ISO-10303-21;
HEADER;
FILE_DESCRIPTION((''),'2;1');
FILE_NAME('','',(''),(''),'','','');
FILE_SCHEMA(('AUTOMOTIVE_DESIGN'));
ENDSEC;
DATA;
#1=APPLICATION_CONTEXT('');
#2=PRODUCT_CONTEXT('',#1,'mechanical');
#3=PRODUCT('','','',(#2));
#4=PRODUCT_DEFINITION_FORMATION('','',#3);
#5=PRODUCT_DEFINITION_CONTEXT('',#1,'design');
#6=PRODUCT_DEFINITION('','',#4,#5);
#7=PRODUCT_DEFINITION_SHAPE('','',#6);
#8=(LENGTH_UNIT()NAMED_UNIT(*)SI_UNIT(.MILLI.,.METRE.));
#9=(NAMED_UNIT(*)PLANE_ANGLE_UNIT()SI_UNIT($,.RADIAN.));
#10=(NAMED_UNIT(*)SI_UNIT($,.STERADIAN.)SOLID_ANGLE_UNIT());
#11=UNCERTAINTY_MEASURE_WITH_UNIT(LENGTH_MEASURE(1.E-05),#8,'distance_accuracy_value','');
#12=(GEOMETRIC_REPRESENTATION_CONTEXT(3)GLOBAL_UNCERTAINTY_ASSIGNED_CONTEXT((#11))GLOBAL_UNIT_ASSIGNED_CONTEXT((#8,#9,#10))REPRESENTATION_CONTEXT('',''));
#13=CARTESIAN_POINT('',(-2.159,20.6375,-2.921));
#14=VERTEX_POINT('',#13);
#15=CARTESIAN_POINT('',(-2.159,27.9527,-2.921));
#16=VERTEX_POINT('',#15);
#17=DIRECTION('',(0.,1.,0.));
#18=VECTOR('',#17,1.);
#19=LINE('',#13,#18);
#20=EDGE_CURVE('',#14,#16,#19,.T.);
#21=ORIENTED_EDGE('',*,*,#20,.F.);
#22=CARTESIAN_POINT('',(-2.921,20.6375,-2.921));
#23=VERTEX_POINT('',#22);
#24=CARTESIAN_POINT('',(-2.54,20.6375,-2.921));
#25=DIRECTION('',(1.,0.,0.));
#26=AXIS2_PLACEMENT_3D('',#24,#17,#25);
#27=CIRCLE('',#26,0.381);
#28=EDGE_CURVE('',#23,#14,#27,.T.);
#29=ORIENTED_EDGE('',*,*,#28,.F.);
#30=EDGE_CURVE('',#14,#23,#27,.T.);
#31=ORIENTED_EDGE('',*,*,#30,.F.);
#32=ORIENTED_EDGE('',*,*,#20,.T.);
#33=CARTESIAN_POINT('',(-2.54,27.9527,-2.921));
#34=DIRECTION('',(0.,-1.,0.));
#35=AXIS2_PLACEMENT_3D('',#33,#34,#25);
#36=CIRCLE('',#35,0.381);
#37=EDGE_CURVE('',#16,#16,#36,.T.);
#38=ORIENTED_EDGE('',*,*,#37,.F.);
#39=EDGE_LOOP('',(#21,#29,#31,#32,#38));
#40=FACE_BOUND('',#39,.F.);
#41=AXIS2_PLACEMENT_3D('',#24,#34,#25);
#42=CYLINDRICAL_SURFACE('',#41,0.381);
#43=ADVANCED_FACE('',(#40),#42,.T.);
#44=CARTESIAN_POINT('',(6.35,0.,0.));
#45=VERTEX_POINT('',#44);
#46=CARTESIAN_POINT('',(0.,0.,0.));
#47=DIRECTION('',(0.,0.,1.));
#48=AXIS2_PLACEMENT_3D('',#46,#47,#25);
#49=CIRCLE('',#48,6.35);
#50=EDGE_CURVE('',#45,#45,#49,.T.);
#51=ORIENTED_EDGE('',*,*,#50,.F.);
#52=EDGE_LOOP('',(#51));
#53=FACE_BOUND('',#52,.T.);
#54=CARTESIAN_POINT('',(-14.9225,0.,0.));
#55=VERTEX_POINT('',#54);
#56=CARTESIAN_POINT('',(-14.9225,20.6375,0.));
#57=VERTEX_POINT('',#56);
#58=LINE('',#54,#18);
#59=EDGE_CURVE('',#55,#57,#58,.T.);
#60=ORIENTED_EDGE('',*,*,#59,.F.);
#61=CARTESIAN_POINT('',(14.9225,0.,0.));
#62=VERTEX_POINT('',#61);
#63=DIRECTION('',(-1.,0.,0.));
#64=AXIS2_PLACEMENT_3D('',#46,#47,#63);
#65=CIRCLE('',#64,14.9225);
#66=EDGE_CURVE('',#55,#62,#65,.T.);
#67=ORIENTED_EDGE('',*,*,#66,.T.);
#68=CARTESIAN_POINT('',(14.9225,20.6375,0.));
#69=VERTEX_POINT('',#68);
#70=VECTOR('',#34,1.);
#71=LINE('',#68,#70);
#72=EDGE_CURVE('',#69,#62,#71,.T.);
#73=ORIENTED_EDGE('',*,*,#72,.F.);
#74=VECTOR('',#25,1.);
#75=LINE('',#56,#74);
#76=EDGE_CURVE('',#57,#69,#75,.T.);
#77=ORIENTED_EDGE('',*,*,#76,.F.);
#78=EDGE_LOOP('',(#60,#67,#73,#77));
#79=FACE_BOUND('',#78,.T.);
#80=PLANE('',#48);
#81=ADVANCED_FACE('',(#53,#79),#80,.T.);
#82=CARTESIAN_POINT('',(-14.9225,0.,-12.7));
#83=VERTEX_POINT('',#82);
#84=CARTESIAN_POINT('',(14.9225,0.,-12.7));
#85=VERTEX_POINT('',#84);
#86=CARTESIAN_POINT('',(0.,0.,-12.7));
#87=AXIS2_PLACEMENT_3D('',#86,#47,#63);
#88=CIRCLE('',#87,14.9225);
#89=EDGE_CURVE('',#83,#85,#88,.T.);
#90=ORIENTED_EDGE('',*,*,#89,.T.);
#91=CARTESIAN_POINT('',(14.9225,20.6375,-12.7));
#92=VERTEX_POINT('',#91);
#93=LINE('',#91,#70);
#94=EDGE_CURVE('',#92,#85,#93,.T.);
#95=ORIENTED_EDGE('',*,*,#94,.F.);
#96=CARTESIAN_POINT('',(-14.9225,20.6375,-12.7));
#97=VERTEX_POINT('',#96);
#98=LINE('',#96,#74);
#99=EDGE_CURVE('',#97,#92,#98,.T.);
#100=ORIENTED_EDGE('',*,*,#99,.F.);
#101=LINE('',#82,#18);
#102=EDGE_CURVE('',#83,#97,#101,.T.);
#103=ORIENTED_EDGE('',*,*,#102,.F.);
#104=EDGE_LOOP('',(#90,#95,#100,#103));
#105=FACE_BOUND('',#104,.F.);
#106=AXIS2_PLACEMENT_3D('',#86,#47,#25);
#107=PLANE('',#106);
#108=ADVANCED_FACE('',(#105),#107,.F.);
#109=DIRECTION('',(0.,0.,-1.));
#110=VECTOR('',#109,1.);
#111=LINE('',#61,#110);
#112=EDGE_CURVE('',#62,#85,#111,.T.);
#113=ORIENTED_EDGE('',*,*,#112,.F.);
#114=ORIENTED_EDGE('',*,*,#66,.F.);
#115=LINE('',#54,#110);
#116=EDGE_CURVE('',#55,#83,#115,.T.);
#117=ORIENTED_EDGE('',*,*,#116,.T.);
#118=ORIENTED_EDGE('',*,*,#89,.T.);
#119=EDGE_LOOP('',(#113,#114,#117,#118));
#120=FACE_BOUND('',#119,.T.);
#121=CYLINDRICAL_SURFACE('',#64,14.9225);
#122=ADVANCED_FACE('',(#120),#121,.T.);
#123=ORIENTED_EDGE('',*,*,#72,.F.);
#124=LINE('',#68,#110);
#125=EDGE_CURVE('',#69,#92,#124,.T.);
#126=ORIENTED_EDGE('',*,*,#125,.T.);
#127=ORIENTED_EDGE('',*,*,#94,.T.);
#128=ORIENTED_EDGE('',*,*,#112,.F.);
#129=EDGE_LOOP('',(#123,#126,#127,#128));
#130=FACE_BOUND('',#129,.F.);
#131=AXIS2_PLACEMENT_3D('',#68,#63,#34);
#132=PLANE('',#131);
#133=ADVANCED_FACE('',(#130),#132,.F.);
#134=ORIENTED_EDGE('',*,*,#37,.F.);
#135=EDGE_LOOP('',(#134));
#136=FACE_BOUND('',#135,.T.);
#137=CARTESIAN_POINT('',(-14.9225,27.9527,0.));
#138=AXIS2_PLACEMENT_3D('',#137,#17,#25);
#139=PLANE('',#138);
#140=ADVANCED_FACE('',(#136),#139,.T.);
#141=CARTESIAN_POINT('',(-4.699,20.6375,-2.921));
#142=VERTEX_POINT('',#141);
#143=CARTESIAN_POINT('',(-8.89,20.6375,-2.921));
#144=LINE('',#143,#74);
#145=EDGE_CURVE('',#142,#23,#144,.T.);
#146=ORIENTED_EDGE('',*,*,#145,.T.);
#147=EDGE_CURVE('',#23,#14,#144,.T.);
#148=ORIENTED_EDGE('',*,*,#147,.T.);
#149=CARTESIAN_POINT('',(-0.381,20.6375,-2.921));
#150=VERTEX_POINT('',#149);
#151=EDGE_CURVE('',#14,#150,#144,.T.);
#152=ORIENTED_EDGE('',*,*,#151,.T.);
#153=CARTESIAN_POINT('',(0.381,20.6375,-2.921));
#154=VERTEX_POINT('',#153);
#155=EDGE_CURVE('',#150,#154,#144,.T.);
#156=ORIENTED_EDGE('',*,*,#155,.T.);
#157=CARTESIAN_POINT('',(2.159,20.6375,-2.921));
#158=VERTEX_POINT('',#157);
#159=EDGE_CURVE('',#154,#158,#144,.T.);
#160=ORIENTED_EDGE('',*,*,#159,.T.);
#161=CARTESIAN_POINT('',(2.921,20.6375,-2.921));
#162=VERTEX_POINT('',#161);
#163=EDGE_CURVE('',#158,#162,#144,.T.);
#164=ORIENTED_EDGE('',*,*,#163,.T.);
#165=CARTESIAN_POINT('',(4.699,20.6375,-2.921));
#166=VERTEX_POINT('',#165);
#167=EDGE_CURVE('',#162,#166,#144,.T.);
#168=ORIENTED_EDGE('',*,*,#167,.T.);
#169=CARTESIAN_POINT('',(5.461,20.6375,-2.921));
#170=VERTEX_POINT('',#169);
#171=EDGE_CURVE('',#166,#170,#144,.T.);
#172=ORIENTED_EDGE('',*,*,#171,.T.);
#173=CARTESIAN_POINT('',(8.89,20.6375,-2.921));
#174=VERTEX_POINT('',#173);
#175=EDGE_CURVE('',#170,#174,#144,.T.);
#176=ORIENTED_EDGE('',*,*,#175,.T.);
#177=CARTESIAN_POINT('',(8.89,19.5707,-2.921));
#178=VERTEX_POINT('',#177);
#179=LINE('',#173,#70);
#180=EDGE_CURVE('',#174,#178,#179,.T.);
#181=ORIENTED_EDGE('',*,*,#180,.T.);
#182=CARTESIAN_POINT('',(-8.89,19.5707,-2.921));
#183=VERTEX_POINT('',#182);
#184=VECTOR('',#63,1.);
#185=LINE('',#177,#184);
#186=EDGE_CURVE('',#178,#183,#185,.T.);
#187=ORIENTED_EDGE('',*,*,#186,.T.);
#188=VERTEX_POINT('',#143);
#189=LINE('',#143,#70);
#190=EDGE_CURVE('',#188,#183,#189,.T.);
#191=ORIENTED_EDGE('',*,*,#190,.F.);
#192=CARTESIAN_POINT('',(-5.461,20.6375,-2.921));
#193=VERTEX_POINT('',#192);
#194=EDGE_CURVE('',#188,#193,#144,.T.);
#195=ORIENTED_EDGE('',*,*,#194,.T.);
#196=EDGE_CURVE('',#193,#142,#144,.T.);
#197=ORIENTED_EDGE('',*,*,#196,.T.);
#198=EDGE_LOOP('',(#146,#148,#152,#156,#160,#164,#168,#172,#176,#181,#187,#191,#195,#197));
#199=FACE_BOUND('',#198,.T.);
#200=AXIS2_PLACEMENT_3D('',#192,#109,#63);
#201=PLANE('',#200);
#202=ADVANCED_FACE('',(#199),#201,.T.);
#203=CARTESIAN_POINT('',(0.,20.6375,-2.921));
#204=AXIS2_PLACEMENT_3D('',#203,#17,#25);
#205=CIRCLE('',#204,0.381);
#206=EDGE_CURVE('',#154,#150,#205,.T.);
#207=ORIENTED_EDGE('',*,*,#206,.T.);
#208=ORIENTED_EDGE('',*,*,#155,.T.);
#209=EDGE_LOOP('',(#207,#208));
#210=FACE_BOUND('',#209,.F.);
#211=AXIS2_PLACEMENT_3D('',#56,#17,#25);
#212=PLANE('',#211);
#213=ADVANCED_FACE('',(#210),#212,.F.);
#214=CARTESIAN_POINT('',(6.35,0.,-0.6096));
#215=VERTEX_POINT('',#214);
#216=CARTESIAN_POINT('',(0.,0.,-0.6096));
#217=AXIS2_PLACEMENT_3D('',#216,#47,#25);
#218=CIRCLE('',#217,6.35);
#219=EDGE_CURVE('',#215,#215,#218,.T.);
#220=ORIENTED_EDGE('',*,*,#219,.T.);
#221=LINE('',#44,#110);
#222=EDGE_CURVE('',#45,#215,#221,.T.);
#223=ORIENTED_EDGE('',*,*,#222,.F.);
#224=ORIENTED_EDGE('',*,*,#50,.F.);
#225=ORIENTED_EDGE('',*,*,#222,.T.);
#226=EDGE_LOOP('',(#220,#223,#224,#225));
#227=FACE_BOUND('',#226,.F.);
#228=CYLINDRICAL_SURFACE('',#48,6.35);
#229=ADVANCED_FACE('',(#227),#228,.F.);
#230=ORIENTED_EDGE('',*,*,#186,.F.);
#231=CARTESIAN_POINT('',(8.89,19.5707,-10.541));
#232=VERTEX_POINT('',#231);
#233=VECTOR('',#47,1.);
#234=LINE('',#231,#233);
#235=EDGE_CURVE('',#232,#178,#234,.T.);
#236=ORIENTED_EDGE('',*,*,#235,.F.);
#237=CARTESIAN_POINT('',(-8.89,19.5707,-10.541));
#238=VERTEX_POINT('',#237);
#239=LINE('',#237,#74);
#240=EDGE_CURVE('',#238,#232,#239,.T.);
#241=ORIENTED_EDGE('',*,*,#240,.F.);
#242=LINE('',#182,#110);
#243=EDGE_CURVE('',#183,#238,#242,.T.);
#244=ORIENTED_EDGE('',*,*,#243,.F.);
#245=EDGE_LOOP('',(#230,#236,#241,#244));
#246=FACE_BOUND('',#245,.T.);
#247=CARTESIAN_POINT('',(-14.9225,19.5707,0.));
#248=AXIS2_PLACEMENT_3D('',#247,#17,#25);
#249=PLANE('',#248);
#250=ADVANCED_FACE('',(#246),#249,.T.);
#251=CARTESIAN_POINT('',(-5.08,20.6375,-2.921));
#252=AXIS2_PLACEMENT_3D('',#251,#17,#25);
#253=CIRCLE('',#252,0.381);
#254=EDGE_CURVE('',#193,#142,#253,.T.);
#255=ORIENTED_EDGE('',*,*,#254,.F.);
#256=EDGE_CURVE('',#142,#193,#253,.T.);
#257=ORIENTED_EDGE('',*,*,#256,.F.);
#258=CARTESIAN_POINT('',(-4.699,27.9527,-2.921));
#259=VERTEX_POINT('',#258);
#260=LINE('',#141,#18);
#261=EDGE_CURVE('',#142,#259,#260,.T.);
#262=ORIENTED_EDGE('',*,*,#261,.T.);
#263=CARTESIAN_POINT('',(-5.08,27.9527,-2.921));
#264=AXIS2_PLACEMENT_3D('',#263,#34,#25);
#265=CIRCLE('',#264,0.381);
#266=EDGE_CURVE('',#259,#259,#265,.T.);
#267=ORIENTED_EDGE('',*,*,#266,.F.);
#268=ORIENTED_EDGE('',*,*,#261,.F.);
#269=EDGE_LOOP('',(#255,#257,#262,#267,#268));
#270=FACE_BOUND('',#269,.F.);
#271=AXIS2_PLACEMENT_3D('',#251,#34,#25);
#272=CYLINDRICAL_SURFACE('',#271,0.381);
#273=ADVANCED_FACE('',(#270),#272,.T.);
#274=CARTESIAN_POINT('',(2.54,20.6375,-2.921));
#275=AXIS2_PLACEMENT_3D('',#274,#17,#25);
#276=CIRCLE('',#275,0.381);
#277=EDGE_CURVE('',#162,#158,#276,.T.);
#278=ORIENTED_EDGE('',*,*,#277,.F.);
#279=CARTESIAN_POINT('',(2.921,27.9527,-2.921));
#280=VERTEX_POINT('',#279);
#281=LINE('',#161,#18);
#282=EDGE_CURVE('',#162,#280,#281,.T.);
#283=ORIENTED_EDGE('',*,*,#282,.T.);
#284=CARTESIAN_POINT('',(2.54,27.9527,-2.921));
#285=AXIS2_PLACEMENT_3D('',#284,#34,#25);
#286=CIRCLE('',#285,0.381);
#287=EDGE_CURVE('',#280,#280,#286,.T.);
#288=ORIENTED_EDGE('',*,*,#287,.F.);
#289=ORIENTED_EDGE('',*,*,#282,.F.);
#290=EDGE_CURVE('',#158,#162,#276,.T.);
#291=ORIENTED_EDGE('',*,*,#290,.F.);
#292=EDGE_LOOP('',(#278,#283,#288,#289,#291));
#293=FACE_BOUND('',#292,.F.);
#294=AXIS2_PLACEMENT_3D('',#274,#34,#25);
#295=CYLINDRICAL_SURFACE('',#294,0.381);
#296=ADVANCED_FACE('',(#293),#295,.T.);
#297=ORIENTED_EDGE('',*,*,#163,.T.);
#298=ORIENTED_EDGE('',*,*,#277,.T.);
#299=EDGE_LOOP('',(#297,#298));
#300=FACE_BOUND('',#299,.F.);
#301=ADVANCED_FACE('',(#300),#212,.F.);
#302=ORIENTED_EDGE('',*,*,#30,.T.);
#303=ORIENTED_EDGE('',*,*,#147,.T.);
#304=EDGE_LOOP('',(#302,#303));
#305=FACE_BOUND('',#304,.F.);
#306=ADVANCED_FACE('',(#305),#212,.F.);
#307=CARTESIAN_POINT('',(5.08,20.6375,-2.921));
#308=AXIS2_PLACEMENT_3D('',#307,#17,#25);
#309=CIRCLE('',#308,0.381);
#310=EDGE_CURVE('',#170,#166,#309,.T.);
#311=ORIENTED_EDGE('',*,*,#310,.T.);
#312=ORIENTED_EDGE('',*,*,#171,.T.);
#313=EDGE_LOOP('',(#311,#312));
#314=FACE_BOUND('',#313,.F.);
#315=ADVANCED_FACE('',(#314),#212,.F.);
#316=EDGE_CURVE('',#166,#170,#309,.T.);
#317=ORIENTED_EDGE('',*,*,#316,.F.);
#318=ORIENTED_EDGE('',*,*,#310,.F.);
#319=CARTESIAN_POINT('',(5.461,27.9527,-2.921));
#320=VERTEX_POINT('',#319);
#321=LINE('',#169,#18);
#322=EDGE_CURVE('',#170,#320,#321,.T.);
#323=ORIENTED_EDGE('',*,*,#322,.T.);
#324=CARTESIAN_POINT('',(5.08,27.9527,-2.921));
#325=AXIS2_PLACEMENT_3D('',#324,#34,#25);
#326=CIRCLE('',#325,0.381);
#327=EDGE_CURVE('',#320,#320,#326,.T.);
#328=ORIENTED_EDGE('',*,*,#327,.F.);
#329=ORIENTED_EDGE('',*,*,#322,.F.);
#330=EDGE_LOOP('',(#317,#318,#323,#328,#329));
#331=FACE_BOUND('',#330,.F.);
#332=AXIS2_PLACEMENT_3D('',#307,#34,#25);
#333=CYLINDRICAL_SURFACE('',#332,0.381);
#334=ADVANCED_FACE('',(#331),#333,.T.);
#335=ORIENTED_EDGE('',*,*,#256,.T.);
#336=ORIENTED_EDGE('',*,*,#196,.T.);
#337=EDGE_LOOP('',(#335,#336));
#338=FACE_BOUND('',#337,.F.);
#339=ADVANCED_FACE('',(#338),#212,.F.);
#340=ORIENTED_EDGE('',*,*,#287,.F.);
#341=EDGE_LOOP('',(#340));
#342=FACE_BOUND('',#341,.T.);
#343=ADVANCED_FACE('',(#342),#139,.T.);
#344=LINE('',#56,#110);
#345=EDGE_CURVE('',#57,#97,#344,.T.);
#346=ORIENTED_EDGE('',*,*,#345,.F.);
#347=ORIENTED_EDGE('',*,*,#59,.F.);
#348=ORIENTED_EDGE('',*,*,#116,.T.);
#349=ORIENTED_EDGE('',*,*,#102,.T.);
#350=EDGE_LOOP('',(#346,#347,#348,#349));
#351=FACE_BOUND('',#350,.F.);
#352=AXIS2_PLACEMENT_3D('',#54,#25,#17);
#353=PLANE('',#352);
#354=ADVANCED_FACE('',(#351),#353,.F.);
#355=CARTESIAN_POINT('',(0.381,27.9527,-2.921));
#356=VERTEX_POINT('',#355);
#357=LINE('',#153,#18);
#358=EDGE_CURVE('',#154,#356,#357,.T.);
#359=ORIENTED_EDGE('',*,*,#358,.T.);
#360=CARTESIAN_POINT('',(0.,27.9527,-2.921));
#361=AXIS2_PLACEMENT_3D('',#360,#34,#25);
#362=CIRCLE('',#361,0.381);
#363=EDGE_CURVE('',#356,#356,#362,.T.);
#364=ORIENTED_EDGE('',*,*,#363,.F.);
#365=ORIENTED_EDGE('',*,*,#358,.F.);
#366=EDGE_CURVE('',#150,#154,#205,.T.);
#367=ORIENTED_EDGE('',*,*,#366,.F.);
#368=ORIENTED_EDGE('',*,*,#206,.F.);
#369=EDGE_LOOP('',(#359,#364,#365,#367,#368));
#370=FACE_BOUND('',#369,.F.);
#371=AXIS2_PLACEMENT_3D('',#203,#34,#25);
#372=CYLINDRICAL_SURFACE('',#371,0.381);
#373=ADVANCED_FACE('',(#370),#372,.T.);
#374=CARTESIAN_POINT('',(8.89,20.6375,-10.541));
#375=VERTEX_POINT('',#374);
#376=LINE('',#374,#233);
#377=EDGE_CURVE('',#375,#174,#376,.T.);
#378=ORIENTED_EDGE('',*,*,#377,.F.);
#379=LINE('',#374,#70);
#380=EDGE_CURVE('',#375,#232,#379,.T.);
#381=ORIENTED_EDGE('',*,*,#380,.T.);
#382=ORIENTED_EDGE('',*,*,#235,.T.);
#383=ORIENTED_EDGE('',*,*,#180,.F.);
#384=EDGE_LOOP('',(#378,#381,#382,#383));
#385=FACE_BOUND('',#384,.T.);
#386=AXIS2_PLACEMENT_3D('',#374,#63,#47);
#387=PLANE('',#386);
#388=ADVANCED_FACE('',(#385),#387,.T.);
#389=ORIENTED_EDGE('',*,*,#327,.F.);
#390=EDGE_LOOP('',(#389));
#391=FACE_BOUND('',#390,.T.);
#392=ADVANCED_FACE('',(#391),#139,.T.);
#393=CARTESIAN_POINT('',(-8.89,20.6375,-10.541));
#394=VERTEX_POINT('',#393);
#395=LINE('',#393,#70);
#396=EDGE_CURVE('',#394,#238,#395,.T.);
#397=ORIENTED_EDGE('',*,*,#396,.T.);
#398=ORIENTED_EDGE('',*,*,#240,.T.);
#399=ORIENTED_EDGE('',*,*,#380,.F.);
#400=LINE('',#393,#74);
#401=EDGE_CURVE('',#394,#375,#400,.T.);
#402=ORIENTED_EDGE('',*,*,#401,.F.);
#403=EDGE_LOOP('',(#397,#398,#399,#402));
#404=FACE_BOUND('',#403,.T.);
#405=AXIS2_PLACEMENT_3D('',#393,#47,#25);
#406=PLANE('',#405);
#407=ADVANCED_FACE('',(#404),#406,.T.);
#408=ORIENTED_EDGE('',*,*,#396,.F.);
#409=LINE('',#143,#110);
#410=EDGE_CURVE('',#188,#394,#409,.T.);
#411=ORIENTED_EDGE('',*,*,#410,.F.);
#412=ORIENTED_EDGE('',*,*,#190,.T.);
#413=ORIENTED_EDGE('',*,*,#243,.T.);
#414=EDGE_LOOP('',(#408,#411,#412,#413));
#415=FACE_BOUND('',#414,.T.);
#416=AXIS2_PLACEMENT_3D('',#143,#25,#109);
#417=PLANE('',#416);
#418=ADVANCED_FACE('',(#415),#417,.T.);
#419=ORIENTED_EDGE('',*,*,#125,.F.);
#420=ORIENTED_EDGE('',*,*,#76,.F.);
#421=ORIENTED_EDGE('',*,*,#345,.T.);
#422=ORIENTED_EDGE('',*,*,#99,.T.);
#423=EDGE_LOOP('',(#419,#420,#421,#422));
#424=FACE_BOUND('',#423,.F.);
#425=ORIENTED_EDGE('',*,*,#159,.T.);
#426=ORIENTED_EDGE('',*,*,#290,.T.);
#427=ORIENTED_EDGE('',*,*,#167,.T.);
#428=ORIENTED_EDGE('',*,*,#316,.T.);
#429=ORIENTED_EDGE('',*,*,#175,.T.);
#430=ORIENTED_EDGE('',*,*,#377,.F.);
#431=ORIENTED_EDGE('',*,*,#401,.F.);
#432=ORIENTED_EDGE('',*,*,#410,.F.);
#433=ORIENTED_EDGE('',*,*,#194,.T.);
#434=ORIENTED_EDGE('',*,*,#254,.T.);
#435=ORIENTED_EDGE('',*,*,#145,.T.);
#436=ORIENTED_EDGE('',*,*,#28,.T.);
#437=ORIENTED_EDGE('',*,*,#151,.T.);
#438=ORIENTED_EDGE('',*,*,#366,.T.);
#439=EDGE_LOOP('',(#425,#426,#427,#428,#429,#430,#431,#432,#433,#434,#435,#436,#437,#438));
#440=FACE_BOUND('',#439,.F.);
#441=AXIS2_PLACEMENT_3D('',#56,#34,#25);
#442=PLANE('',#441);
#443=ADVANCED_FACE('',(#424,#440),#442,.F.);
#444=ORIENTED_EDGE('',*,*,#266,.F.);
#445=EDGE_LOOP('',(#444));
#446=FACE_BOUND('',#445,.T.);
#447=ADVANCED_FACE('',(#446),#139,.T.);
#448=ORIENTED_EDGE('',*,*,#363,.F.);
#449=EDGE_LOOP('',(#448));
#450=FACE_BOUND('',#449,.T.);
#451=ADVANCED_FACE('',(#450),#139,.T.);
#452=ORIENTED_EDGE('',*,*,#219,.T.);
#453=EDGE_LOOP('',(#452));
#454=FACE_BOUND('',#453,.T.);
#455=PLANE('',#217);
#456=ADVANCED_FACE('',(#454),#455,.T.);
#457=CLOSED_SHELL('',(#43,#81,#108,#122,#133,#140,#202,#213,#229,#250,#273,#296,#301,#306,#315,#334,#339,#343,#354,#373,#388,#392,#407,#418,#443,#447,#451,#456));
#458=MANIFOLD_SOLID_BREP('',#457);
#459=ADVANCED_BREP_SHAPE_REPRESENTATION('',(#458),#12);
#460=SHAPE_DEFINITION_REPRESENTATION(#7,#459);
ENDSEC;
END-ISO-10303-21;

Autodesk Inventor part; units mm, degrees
ref_plane "YZ Plane" through (0, 0, 0) normal (1, 0, 0) x (0, 1, 0)
ref_plane "XZ Plane" through (0, 0, 0) normal (0, 1, 0) x (-1, 0, 0)
ref_plane "XY Plane" through (0, 0, 0) normal (0, 0, 1) x (1, 0, 0)
sketch "Sketch1" plane through (0, 0, 0) normal (0, 0, 1) x (1, 0, 0)
  arc A0 (-14.9225, 0) -> (14.9225, 0) centre (0, 0) ccw
  line L0 (-14.9225, 0) -> (-14.9225, 20.6375)
  line L1 (-14.9225, 20.6375) -> (14.9225, 20.6375)
  line L2 (14.9225, 20.6375) -> (14.9225, 0)
  circle A1 centre (0, 0) radius 4.6736
  circle A2 centre (0, 0) radius 3.175
  line L3 (14.9225, 0) -> (14.9225, -0.9265)
  circle A3 centre (0, 0) radius 6.35
  dimension "d0" = 29.845
  dimension "d2" = 9.3472
  dimension "d3" = 6.35
  dimension "d6" = 12.7
  dimension "d24" = 35.56
extrude "Extrusion2" add sketch "Sketch1" against normal blind 12.7 contours L0 L1 L2 A0 | A1 | A2 | A3
extrude "Extrusion3" cut sketch "Sketch1" against normal blind 0.6096 contours A1 | A2 | A3
sketch "Sketch2" plane through (-14.9225, 20.6375, 0) normal (0, 1, 0) x (1, 0, 0)
  line L0 (0, 0) -> (0, 12.7) projected
  line L1 (29.845, 0) -> (0, 0) projected
  line L2 (29.845, 0) -> (29.845, 12.7) projected
  line L3 (6.0325, 10.541) -> (23.8125, 10.541)
  line L4 (23.8125, 10.541) -> (23.8125, 2.921)
  line L5 (23.8125, 2.921) -> (6.0325, 2.921)
  line L6 (6.0325, 2.921) -> (6.0325, 10.541)
  circle A0 centre (9.8425, 2.921) radius 0.381
  circle A1 centre (12.3825, 2.921) radius 0.381
  circle A2 centre (14.9225, 2.921) radius 0.381
  circle A3 centre (17.4625, 2.921) radius 0.381
  circle A4 centre (20.0025, 2.921) radius 0.381
  point P0 (14.9225, 0)
  dimension "d11" = 17.78
  dimension "d12" = 8.89
  dimension "d13" = 7.62
  dimension "d14" = 2.921
  dimension "d15" = 0.762
  dimension "d16" = 9.8425
  dimension "d19" = 2.54
  dimension "d25" = 9.8425
extrude "Extrusion4" cut sketch "Sketch2" against normal blind 1.0668 contours L3 L4 L5 A4 A3 A2 A1 A0 L6 | A0 L5 | L5 A4 | A1 L5 | L5 A3 | A2 L5 picked at (9.9376, 3.0052) picked at (19.9292, 3.1544) picked at (12.4776, 3.0052) picked at (17.3892, 3.1544) picked at (15.0176, 3.0052)
extrude "Extrusion5" add sketch "Sketch2" along normal blind 7.3152 contours A0 L5 | L5 A0 | A4 L5 | L5 A4 | A1 L5 | L5 A1 | A3 L5 | L5 A3 | A2 L5 | L5 A2
equation "\"d12\" = 0.5 * d11"
properties part number "USD S1-100-B Housing"
